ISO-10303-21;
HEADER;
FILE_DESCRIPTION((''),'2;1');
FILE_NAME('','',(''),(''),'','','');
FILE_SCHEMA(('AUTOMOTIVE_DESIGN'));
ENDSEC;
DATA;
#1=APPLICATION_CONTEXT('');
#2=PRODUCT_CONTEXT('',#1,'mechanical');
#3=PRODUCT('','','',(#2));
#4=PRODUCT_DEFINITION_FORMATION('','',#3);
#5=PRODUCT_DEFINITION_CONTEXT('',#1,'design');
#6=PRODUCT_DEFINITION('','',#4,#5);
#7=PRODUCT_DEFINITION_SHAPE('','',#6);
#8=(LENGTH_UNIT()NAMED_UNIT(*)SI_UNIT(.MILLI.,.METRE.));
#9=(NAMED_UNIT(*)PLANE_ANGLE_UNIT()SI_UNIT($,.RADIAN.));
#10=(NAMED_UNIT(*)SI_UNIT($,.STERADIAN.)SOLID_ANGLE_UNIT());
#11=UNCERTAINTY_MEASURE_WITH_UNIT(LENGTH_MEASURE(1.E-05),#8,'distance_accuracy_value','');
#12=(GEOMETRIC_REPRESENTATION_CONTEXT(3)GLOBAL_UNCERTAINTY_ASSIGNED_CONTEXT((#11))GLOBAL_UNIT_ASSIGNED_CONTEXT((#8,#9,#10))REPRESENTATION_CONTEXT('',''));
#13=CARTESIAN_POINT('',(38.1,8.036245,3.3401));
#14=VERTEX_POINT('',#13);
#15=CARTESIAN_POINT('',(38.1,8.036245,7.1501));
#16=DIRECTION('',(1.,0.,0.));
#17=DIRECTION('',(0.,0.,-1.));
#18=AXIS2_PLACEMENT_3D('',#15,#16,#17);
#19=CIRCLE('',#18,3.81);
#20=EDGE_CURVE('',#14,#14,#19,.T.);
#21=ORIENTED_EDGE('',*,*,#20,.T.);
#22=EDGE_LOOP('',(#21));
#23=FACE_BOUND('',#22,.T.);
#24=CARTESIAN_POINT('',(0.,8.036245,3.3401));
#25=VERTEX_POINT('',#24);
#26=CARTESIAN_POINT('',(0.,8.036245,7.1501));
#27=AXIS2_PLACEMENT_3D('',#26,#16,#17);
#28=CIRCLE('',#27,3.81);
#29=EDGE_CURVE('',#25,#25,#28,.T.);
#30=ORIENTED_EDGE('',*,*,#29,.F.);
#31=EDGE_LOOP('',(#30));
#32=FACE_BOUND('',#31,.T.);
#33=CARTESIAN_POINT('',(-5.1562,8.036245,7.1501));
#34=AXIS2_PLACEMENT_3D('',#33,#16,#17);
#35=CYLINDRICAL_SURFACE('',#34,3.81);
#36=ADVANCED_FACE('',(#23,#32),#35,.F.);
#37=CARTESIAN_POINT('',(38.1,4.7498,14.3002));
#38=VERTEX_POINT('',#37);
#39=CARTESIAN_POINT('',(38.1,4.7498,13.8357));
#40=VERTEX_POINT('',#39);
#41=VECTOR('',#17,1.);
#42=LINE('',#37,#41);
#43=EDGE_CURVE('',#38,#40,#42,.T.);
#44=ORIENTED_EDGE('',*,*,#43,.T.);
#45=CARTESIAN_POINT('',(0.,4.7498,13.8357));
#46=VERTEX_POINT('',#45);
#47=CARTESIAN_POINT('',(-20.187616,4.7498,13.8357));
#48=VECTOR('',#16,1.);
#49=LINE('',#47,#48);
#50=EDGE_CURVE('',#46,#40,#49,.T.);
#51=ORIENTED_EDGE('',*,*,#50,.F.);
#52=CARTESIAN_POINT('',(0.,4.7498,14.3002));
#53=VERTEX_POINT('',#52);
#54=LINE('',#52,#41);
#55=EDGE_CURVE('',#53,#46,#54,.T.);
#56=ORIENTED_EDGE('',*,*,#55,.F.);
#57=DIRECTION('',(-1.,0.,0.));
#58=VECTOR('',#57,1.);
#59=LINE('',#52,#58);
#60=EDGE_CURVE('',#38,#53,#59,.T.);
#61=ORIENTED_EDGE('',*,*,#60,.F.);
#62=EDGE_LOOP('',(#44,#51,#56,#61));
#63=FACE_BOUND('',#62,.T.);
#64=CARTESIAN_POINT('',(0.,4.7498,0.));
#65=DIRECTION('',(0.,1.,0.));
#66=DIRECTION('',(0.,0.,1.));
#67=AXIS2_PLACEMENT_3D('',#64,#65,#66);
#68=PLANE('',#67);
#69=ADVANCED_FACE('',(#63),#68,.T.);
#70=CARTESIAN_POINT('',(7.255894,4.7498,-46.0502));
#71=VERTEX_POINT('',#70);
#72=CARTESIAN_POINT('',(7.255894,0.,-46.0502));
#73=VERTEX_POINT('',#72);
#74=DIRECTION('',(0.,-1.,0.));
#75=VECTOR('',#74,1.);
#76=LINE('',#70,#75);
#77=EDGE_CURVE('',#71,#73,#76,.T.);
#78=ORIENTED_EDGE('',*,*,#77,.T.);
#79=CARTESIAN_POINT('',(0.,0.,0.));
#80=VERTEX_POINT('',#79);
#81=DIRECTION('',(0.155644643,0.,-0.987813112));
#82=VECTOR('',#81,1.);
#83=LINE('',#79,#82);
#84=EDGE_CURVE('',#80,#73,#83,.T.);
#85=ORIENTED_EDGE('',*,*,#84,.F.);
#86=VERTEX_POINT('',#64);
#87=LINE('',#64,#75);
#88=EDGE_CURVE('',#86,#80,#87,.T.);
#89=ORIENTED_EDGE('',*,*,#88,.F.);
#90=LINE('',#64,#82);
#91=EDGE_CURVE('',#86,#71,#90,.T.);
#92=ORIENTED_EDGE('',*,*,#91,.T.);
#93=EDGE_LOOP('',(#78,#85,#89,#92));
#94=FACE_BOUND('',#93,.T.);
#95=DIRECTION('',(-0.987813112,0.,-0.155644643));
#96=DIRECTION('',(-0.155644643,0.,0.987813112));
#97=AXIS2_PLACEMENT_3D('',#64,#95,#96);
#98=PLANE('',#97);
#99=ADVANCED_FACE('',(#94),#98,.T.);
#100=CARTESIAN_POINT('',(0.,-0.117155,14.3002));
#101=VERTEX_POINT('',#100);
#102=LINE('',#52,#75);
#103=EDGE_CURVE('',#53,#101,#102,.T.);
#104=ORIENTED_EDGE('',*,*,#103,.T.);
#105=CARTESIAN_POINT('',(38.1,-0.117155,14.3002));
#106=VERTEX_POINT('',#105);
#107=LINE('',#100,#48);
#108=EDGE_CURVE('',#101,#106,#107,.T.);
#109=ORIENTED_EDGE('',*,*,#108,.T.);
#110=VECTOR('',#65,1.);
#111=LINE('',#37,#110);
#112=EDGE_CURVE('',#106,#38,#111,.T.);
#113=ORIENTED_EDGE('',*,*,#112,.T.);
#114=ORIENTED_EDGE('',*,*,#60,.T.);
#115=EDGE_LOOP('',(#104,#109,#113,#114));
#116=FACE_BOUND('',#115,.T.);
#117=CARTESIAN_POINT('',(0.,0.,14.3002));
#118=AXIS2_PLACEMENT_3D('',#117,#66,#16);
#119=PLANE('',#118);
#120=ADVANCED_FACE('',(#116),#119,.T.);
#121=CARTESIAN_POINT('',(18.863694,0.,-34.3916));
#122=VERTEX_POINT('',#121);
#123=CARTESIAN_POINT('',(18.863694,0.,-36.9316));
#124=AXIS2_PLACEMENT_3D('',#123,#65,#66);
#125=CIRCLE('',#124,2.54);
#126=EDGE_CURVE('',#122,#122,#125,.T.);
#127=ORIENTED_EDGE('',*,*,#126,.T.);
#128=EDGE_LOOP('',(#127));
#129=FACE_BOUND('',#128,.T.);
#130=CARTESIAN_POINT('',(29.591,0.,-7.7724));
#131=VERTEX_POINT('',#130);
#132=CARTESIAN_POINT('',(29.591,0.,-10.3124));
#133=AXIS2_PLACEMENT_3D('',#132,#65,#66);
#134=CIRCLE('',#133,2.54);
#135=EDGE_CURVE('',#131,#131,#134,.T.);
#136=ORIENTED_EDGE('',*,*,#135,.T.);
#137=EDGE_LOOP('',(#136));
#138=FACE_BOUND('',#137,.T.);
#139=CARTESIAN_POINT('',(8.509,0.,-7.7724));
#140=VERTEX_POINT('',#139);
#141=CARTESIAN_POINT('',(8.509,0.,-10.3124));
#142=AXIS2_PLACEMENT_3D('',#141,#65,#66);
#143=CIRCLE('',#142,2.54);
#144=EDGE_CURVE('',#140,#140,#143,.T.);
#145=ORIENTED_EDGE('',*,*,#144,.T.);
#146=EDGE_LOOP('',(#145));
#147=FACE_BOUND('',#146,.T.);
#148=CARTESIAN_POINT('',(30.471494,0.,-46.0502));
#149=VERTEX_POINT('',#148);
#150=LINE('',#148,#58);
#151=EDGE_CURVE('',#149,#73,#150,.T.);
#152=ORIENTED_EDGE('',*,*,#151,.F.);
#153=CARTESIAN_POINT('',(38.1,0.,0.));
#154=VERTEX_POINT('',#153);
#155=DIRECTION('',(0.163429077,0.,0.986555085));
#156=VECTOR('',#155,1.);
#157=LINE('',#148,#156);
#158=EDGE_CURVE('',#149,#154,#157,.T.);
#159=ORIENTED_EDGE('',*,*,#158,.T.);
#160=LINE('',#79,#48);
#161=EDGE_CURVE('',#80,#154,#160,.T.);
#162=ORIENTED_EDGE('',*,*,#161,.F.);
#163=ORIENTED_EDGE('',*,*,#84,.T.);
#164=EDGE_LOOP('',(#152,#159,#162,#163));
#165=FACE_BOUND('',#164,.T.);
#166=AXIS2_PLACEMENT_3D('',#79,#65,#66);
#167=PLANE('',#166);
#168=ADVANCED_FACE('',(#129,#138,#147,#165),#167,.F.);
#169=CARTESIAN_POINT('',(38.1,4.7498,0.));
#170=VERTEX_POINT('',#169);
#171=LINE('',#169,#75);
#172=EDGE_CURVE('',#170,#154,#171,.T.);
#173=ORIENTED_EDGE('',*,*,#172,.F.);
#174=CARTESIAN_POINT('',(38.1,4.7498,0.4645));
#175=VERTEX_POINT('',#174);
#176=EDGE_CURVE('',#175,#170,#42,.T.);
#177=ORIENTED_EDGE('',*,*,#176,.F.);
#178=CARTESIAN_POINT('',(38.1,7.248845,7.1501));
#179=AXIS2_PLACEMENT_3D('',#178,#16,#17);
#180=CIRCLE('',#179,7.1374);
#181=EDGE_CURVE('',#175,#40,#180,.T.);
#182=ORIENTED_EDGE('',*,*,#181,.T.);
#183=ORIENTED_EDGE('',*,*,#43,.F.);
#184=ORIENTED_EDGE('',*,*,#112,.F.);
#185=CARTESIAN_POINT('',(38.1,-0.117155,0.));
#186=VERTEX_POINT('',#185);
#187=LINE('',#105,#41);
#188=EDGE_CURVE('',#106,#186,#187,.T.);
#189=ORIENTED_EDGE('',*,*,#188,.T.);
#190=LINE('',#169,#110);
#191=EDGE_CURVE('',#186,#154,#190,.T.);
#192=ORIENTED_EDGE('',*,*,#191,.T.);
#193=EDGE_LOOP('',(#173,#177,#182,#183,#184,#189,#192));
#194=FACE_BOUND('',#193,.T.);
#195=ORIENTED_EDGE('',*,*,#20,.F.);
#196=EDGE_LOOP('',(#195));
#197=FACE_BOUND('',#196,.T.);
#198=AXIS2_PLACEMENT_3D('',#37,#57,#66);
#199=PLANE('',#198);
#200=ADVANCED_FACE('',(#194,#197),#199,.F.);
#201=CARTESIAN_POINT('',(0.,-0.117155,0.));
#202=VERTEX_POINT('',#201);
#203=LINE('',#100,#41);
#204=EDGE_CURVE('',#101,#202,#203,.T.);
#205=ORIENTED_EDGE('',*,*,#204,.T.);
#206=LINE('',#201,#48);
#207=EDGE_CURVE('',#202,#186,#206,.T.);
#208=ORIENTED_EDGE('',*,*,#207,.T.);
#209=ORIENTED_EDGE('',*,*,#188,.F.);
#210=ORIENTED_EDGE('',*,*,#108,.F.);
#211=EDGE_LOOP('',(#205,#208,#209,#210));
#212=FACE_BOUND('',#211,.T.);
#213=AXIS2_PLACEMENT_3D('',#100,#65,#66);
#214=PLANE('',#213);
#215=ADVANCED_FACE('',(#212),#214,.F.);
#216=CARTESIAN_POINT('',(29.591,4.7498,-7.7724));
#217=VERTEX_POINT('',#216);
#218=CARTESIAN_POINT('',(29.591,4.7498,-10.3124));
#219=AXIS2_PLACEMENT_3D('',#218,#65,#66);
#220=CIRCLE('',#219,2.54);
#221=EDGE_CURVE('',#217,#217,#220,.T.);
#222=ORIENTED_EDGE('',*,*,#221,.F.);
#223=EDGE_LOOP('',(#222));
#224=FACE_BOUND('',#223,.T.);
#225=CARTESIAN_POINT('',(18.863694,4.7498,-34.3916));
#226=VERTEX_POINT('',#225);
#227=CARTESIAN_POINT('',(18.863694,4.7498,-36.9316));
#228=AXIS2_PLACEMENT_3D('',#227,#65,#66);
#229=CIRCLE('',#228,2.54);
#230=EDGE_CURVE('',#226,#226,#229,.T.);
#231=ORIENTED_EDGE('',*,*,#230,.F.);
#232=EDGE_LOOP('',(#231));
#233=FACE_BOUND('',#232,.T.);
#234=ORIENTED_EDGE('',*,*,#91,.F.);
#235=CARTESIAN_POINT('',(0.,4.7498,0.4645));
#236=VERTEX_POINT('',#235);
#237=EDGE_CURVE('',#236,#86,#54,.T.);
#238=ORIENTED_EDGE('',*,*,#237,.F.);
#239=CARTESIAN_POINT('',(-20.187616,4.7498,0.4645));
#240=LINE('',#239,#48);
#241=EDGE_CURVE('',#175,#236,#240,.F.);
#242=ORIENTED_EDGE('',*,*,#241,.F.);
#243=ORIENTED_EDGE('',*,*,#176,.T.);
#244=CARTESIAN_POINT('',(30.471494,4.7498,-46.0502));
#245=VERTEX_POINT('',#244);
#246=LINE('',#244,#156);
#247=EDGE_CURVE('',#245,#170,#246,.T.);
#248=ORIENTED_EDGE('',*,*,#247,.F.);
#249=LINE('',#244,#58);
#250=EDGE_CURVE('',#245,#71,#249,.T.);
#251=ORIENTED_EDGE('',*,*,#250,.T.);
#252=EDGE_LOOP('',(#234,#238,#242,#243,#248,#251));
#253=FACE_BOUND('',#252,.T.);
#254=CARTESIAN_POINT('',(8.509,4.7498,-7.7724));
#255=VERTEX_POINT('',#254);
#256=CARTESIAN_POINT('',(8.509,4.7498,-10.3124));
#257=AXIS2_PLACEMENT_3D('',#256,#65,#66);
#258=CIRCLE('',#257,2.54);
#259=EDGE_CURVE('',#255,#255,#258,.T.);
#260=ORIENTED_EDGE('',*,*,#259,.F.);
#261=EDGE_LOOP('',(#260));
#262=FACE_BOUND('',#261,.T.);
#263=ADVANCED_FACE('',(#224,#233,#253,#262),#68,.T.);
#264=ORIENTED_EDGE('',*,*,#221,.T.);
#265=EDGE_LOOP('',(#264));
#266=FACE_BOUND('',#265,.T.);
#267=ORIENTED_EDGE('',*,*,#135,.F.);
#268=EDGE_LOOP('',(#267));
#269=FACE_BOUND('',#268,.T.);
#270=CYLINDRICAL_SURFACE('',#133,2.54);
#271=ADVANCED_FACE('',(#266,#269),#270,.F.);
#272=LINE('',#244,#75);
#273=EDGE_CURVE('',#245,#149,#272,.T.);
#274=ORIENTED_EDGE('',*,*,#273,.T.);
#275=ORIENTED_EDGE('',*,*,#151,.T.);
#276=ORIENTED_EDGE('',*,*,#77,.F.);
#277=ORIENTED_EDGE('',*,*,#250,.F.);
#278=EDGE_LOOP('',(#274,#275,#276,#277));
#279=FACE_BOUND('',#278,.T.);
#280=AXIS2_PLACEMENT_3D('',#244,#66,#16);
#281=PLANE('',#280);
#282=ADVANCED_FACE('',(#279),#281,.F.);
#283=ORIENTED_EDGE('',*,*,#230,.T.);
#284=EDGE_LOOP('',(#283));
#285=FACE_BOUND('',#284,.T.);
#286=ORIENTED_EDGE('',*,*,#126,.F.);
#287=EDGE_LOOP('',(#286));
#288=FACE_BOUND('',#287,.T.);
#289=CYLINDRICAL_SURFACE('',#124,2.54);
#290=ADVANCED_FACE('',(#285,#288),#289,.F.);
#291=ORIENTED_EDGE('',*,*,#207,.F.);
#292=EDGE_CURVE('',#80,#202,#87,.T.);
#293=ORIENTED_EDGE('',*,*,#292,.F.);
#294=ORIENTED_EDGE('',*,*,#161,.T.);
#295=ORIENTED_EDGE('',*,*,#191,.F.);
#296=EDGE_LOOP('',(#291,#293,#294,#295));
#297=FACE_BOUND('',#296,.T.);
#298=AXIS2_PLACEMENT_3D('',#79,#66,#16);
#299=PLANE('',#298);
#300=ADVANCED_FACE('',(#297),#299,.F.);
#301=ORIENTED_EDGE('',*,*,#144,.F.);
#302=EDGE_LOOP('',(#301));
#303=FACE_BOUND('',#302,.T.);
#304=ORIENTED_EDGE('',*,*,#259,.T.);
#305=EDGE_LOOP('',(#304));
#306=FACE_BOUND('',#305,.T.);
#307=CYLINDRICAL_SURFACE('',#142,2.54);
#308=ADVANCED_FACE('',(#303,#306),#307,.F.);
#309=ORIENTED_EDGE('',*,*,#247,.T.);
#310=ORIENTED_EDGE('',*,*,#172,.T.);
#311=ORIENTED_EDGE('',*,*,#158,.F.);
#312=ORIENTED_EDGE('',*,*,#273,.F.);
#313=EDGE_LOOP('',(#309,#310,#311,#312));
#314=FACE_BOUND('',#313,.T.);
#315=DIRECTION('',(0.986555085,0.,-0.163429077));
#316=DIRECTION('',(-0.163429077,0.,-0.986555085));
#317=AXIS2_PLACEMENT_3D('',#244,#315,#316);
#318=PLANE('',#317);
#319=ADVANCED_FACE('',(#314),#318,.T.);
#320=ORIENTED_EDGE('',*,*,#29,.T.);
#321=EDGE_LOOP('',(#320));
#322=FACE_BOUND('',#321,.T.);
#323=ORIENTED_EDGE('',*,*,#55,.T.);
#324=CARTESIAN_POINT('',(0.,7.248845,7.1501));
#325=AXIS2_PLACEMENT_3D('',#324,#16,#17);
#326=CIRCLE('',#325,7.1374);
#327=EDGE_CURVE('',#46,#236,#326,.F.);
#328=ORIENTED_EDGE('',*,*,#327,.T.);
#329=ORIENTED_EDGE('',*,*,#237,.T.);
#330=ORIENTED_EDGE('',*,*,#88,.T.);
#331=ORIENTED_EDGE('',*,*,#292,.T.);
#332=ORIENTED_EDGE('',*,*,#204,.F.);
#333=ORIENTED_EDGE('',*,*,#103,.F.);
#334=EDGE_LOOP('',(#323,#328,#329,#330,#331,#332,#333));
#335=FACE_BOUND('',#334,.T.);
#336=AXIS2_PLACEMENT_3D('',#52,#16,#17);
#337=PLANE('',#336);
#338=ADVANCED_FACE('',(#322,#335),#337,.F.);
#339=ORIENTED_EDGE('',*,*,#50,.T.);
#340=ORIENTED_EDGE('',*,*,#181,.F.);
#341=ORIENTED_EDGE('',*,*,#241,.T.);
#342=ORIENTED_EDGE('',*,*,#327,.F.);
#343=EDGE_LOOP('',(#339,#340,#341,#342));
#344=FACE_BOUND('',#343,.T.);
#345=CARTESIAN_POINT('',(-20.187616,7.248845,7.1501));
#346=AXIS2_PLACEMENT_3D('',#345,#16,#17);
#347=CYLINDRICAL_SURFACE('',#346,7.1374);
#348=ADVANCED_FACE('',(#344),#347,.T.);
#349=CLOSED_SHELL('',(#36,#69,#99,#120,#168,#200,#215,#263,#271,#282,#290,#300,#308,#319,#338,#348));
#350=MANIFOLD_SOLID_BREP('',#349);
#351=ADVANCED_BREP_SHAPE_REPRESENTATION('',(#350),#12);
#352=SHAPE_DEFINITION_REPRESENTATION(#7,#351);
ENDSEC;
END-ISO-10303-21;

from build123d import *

# Parameters (mm, degrees)
BOSS_EXTRUDE1_DEPTH = 4.7498
SKETCH2_R           = 2.54
CUT_EXTRUDE1_DEPTH  = 4.7498
SKETCH3_W           = 38.1
SKETCH3_H           = 4.866954954
BOSS_EXTRUDE2_DEPTH = 14.3002
SKETCH4_R           = 7.1374
BOSS_EXTRUDE3_DEPTH = 38.1
SKETCH5_R           = 3.81
CUT_EXTRUDE2_DEPTH  = 43.2562


with BuildPart() as part:
    # Sketch1 → Boss-Extrude1 (new body)
    with BuildSketch(Plane(origin=(0, 0, 0), x_dir=(1, 0, 0), z_dir=(0, 1, 0))):
        Polygon((0, 0), (38.1, 0), (30.471493689, 46.0502), (7.255893689, 46.0502), align=None)
    extrude(amount=BOSS_EXTRUDE1_DEPTH)

    # Sketch2 → Cut-Extrude1 (cut)
    with BuildSketch(Plane(origin=(0, 4.7498, 0), x_dir=(1, 0, 0), z_dir=(0, 1, 0))):
        with Locations(Location((18.863693689, 36.9316, 0), (0, 0, 270))):
            Circle(SKETCH2_R)
        with Locations(Location((8.509, 10.3124, 0), (0, 0, 270))):
            Circle(SKETCH2_R)
        with Locations(Location((29.591, 10.3124, 0), (0, 0, 270))):
            Circle(SKETCH2_R)
    extrude(amount=-CUT_EXTRUDE1_DEPTH, mode=Mode.SUBTRACT)

    # Sketch3 → Boss-Extrude2 (add)
    with BuildSketch(Plane.XY):
        with Locations((19.05, 2.316322523)):
            Rectangle(SKETCH3_W, SKETCH3_H)
    extrude(amount=BOSS_EXTRUDE2_DEPTH)

    # Sketch4 → Boss-Extrude3 (add)
    with BuildSketch(Plane(origin=(38.1, 0, 0), x_dir=(0, 0, -1), z_dir=(1, 0, 0))):
        with Locations((-7.1501, 7.248845046)):
            Circle(SKETCH4_R)
    extrude(amount=-BOSS_EXTRUDE3_DEPTH)

    # Sketch5 → Cut-Extrude2 (cut)
    with BuildSketch(Plane(origin=(38.1, 0, 0), x_dir=(0, 0, -1), z_dir=(1, 0, 0))):
        with Locations((-7.1501, 8.036245046)):
            Circle(SKETCH5_R)
    extrude(amount=-CUT_EXTRUDE2_DEPTH, mode=Mode.SUBTRACT)


solid = part.part
